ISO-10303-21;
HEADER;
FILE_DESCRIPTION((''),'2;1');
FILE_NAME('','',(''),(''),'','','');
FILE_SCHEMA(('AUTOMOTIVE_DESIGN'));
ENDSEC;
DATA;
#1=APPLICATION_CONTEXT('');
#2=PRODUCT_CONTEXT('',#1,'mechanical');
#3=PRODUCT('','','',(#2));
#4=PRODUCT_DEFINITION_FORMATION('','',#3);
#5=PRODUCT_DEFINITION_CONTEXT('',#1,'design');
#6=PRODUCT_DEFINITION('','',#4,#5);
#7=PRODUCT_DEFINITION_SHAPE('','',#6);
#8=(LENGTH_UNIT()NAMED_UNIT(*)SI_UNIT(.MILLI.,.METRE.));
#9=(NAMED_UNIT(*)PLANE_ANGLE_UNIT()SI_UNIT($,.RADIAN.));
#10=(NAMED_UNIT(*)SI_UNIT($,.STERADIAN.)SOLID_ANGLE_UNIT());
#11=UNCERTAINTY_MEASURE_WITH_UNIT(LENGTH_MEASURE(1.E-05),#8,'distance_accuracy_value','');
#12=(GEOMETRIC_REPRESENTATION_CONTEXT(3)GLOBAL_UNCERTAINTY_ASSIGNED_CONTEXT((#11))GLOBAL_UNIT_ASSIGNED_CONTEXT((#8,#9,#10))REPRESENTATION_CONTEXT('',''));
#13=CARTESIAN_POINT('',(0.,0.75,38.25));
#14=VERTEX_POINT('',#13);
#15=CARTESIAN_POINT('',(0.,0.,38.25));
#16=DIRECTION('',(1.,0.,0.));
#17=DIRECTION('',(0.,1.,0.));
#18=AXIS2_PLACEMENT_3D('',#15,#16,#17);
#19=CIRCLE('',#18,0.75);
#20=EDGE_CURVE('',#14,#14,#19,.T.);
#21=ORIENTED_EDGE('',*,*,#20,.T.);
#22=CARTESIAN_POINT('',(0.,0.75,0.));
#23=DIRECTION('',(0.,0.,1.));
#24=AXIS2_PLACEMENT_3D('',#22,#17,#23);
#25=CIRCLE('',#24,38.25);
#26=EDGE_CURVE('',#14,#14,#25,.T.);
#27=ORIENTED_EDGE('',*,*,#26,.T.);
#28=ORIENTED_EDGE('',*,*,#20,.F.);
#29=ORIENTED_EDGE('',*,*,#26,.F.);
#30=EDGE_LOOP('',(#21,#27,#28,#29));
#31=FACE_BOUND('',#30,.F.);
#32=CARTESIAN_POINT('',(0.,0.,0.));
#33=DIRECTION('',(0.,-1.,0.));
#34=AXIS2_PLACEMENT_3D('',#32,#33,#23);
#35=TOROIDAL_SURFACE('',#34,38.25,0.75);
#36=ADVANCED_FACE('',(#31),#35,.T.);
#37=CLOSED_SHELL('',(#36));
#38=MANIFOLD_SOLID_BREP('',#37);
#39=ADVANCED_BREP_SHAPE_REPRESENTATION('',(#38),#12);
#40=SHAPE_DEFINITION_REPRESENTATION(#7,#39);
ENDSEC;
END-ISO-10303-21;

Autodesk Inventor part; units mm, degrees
ref_plane "YZ Plane" through (0, 0, 0) normal (1, 0, 0) x (0, 1, 0)
ref_plane "XZ Plane" through (0, 0, 0) normal (0, 1, 0) x (-1, 0, 0)
ref_plane "XY Plane" through (0, 0, 0) normal (0, 0, 1) x (1, 0, 0)
sketch "Sketch1" plane through (0, 0, 0) normal (1, 0, 0) x (0, 1, 0)
  circle A0 centre (0, 38.25) radius 0.75
  line L0 (0.3463, 0) -> (8.6698, 0)
  point P0 (0, 0)
  dimension "d0" = 1.5
  dimension "d1" = 38.25
revolve "Revolution1" add sketch "Sketch1" angle 360 about axis through (0, 0.3463, 0) along (0, 1, 0)
properties part number "seal" material "Rubber"
